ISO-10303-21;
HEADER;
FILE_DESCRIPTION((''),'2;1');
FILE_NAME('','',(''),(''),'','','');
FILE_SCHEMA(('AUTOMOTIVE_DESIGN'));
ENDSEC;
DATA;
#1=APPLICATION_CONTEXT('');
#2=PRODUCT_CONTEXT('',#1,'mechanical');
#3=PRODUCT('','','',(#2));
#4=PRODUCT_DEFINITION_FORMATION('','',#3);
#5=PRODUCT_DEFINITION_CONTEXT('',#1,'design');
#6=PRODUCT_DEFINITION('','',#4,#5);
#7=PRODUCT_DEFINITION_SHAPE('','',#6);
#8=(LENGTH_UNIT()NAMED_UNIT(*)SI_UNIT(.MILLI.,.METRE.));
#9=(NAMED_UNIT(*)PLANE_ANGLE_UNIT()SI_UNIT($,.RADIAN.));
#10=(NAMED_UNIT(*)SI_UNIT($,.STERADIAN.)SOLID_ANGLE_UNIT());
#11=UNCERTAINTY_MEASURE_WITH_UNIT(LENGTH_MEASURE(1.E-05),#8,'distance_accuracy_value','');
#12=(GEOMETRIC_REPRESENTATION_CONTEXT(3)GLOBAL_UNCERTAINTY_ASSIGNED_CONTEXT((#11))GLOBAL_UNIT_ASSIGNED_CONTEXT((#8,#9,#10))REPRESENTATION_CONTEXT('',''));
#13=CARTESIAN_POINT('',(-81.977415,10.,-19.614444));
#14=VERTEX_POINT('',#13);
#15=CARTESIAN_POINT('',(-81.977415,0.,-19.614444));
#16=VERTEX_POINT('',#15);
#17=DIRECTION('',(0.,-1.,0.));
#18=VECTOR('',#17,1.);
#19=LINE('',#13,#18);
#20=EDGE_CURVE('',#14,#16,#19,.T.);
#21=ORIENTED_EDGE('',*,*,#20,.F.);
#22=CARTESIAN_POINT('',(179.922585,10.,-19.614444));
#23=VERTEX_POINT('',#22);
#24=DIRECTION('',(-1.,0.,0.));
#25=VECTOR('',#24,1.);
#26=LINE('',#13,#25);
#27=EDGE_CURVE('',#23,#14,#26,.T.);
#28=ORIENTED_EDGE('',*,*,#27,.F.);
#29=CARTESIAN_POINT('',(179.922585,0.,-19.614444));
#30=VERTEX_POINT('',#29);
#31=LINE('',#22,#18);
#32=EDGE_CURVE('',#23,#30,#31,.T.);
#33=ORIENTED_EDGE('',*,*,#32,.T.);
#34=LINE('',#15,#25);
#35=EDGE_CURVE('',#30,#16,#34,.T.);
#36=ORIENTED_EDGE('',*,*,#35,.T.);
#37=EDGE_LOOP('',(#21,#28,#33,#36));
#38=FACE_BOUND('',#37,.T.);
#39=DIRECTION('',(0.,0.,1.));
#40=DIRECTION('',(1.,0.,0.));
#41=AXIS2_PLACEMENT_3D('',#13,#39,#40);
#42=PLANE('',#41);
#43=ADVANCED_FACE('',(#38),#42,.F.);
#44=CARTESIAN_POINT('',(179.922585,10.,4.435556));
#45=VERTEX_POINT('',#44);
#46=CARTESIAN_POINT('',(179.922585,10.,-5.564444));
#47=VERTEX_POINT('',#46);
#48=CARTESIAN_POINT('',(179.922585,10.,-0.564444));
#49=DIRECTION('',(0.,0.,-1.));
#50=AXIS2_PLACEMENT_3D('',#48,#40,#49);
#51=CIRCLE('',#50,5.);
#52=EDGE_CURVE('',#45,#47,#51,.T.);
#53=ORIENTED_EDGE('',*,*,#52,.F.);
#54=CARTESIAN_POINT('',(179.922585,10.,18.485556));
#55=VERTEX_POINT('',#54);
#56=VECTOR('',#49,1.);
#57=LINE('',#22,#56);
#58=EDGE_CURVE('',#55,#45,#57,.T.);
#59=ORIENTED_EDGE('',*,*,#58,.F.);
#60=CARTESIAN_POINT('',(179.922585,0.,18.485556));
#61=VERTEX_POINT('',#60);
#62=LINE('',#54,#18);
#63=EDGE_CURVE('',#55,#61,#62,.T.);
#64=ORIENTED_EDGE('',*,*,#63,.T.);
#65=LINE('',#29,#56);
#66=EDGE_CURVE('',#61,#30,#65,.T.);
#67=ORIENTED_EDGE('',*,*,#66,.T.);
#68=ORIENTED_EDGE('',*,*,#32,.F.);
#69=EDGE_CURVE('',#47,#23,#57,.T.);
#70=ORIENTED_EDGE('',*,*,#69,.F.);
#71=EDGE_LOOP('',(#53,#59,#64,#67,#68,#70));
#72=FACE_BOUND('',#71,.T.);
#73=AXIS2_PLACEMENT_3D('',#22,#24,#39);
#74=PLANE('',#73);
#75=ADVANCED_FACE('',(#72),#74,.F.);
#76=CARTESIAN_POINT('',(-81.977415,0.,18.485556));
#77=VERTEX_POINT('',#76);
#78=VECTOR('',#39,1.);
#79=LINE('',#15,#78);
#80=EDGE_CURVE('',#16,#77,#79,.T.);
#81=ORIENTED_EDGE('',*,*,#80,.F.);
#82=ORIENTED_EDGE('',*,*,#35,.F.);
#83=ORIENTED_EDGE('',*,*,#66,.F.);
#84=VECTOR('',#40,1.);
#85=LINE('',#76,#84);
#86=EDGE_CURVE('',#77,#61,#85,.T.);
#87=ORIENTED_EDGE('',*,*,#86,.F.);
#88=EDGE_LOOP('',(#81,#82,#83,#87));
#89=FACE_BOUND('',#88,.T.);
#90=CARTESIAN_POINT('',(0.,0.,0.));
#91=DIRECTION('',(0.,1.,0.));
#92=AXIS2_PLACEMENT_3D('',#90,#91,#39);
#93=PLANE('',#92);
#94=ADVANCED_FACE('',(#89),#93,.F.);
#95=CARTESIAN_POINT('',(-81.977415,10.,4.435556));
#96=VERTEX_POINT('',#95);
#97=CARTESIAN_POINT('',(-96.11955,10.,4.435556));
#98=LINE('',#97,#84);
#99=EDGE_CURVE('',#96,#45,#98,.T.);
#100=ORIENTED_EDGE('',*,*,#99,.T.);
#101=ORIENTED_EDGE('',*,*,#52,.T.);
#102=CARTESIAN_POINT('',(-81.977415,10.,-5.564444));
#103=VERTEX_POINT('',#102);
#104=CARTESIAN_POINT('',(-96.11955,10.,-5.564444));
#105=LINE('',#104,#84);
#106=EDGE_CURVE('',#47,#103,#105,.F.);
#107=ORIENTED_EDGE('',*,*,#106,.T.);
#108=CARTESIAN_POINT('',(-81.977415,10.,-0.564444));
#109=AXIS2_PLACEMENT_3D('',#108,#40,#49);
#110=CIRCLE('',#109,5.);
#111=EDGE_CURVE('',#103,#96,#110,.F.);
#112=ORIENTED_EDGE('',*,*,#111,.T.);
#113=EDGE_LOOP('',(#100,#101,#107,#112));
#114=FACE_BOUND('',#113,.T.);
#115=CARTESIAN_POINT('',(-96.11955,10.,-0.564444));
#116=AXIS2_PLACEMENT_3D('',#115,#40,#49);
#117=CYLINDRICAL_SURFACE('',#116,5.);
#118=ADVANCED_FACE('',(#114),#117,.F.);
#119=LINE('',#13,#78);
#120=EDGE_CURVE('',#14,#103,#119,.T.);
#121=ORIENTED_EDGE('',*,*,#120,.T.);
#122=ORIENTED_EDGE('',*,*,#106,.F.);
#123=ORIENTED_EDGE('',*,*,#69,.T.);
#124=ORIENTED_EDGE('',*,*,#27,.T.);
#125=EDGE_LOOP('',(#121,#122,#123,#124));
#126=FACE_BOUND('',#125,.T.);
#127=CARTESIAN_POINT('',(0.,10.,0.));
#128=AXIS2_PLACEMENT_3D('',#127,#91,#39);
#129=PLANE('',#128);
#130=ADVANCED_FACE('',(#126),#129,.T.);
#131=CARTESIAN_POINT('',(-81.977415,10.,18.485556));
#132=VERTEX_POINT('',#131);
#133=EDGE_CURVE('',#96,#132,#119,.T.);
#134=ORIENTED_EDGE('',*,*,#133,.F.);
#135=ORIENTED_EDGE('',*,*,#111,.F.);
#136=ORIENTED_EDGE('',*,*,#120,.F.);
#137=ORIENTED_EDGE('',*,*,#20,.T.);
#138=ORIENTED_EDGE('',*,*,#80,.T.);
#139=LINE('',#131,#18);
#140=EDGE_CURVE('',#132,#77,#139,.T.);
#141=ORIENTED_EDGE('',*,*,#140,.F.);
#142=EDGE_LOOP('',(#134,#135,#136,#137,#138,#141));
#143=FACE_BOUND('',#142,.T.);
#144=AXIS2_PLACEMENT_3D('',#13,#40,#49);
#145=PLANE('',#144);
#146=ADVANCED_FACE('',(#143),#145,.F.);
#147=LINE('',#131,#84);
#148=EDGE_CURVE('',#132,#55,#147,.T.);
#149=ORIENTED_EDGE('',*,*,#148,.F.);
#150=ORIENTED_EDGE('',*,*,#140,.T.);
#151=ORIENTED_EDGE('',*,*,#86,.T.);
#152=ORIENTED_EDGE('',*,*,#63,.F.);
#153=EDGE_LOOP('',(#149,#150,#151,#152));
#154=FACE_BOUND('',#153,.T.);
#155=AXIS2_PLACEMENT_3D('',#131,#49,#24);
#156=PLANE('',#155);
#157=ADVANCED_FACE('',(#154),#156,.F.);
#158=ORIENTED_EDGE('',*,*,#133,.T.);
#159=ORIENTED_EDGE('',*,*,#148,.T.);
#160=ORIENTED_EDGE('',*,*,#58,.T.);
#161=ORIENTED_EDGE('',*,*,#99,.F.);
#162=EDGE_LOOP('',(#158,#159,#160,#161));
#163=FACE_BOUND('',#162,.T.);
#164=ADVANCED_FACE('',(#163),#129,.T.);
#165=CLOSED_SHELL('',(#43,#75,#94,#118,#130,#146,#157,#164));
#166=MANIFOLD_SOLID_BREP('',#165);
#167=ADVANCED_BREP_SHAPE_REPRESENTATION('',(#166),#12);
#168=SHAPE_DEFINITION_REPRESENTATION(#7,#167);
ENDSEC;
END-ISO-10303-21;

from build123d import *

# Parameters (mm, degrees)
SKETCH1_W           = 261.9
SKETCH1_H           = 38.1
BOSS_EXTRUDE1_DEPTH = 10
SKETCH2_R           = 5
CUT_EXTRUDE1_DEPTH  = 261.9


with BuildPart() as part:
    # Sketch1 → Boss-Extrude1 (new body)
    with BuildSketch(Plane(origin=(0, 0, 0), x_dir=(1, 0, 0), z_dir=(0, 1, 0))):
        with Locations((48.97258547, 0.564444444)):
            Rectangle(SKETCH1_W, SKETCH1_H)
    extrude(amount=BOSS_EXTRUDE1_DEPTH)

    # Sketch2 → Cut-Extrude1 (cut)
    with BuildSketch(Plane(origin=(179.92258547, 0, 0), x_dir=(0, 0, -1), z_dir=(1, 0, 0))):
        with Locations((0.564444444, 10)):
            Circle(SKETCH2_R)
    extrude(amount=-CUT_EXTRUDE1_DEPTH, mode=Mode.SUBTRACT)


solid = part.part
